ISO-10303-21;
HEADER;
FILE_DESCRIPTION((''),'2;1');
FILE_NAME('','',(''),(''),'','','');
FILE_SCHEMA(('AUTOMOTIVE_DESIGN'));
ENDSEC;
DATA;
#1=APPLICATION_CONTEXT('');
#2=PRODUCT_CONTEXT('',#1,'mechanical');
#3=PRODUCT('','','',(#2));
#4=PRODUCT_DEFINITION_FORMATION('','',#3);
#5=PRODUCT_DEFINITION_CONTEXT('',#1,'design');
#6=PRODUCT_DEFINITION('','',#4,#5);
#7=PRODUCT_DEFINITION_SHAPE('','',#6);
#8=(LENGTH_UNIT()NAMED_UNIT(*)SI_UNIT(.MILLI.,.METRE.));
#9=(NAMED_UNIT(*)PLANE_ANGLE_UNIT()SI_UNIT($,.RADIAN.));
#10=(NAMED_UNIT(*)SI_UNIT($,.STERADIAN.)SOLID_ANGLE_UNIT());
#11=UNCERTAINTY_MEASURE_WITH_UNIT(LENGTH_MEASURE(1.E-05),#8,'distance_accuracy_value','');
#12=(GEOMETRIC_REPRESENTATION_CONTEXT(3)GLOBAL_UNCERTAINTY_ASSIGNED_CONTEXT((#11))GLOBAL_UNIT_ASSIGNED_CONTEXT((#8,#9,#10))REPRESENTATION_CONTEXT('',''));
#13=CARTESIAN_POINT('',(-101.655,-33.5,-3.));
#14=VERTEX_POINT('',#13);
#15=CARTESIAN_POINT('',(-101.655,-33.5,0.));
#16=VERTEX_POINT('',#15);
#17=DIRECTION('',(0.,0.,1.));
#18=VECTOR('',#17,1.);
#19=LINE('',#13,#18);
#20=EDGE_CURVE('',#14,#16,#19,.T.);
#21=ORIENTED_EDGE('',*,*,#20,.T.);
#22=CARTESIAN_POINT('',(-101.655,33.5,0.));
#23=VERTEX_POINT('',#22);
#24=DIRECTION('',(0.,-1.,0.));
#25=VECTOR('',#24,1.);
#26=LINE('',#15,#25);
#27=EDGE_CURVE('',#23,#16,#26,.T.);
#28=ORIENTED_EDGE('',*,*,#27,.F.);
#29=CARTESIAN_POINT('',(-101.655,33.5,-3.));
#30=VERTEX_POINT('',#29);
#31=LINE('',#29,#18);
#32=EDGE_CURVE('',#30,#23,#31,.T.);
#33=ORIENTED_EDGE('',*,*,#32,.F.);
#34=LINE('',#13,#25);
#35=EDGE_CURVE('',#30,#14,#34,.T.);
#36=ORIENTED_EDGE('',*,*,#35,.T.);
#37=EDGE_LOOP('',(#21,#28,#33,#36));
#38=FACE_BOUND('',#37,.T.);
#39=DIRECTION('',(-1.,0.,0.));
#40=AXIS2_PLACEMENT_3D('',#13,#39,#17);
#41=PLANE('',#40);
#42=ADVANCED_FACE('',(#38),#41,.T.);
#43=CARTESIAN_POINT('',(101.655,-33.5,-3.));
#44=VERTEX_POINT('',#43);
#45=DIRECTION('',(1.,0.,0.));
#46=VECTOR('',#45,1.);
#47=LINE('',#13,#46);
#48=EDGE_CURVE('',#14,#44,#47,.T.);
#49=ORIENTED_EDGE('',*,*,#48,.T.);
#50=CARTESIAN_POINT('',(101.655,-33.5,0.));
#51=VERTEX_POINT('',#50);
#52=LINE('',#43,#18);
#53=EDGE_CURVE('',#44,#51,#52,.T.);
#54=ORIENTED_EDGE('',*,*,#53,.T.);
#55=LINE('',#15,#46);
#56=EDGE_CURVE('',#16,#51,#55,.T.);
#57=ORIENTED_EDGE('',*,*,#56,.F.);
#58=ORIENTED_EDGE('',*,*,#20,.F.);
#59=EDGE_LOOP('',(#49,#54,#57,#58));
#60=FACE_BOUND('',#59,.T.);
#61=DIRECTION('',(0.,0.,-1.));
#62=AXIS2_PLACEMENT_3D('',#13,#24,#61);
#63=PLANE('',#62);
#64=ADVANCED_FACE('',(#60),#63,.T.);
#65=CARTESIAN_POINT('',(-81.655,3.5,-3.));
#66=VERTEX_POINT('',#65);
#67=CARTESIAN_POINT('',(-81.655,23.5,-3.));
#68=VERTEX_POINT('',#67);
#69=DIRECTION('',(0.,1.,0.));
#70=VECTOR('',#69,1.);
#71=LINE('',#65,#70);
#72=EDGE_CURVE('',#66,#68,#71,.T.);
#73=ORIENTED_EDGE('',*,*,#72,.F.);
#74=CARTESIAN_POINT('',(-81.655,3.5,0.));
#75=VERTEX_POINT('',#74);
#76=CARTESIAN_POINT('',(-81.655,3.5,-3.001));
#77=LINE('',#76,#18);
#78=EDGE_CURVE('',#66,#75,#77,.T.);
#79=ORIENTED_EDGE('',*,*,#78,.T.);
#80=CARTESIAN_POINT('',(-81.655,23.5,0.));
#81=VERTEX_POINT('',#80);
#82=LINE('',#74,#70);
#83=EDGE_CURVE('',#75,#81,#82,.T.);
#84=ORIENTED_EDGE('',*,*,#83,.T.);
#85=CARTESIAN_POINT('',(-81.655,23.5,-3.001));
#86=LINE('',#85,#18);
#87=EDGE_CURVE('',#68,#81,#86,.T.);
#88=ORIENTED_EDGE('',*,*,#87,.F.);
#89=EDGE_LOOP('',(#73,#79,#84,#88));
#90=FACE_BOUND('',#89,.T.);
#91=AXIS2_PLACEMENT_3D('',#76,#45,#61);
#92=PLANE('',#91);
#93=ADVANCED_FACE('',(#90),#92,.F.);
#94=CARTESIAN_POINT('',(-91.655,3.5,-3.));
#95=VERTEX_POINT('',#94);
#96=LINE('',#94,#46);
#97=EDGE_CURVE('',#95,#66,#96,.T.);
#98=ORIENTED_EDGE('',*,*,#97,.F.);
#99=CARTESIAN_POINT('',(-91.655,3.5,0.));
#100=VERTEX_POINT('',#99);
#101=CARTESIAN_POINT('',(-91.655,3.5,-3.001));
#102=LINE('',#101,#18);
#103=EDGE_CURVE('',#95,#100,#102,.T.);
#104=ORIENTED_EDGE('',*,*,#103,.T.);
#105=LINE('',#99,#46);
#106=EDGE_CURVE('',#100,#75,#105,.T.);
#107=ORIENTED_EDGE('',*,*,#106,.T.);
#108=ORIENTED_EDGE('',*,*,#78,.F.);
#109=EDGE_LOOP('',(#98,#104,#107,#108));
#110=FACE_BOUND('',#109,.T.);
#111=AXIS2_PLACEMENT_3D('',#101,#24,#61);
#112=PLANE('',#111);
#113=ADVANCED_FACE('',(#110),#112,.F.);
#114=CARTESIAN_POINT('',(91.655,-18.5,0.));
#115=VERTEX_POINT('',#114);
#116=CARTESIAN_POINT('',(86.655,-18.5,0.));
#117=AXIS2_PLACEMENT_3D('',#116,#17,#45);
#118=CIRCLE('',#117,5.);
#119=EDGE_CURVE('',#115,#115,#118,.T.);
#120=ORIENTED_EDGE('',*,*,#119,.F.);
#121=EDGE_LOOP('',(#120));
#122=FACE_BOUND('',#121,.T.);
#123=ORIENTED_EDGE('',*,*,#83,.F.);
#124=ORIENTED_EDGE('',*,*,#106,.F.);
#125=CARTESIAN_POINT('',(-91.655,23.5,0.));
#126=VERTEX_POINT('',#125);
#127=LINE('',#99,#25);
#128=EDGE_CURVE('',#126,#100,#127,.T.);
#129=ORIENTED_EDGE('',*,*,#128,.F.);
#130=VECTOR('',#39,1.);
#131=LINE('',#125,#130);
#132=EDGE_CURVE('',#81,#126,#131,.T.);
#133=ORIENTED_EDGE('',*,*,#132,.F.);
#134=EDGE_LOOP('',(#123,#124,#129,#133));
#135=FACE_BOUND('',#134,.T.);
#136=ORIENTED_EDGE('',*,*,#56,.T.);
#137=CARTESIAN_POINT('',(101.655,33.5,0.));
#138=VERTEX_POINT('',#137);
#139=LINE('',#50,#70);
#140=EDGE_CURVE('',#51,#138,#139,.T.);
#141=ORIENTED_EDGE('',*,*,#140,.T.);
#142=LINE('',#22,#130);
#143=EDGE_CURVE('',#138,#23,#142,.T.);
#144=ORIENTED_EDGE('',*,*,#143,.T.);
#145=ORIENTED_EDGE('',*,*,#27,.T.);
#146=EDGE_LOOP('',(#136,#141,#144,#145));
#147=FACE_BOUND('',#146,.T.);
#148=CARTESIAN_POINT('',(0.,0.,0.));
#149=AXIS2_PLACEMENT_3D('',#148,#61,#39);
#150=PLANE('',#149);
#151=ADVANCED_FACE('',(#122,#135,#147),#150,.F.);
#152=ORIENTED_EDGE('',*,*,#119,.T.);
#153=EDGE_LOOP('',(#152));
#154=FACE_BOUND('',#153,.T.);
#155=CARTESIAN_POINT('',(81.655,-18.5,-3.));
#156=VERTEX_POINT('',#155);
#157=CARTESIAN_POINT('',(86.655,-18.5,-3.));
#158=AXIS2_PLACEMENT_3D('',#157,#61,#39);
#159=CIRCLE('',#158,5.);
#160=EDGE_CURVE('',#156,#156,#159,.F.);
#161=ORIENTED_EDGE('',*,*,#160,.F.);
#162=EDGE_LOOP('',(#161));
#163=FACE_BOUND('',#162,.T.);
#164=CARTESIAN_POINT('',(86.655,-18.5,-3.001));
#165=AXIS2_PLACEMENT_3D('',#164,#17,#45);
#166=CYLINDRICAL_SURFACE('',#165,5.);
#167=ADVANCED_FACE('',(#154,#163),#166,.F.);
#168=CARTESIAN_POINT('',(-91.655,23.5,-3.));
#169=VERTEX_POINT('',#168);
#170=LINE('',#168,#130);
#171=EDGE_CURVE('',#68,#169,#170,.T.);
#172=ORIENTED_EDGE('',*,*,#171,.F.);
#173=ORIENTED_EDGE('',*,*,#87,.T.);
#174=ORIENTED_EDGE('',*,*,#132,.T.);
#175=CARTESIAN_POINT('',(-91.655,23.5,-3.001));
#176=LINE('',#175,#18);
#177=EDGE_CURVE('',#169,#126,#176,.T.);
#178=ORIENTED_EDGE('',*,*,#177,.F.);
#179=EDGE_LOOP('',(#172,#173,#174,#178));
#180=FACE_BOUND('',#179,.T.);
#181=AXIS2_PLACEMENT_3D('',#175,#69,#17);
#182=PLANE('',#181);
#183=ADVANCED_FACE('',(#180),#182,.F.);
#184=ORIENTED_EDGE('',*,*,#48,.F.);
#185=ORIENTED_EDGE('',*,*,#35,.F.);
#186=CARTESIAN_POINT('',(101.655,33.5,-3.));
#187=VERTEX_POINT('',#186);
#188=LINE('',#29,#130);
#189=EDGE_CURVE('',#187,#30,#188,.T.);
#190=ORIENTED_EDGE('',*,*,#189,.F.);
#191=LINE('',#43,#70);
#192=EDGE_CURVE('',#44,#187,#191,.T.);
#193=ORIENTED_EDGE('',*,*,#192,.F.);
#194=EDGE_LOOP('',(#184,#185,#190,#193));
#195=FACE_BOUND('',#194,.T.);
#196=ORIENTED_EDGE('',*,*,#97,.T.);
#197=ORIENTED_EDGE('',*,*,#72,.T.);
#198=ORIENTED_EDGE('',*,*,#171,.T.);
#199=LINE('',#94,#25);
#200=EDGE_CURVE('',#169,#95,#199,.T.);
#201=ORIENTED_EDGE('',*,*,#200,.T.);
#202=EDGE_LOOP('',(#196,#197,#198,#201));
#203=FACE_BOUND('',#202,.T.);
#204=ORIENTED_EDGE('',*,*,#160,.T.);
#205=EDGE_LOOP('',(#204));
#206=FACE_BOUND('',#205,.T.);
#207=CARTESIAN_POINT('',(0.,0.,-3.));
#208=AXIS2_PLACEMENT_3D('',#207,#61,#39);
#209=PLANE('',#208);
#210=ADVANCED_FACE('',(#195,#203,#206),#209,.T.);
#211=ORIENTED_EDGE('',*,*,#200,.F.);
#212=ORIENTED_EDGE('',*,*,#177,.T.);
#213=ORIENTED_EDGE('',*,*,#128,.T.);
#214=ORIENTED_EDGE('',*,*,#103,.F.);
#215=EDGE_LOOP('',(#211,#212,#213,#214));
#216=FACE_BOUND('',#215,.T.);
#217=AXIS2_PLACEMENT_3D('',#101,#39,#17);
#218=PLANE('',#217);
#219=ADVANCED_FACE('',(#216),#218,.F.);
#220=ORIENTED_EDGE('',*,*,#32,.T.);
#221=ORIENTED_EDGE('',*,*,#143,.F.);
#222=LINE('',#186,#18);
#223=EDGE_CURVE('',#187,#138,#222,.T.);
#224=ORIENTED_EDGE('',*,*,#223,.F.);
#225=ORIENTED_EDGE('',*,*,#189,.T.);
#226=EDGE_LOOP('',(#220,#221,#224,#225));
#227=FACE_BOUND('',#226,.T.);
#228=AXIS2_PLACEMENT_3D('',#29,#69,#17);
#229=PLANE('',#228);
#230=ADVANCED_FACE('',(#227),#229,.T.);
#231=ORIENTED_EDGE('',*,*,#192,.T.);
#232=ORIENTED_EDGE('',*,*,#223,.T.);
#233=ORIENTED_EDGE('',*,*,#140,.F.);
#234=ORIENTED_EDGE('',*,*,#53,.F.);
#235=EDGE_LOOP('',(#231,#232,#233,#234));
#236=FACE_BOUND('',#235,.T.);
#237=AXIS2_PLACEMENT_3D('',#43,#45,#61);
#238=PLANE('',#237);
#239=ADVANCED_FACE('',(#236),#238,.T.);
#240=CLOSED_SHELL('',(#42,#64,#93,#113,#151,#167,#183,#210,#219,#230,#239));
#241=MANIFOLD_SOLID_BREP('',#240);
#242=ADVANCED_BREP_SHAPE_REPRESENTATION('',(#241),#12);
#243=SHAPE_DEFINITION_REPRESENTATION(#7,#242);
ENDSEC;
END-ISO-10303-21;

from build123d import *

# Parameters (mm, degrees)
CROQUIS1_W              = 203.31
CROQUIS1_H              = 67
SALIENTE_EXTRUIR1_DEPTH = 3
CORTAR_EXTRUIR1_REACH   = 5
CROQUIS2_W              = 10
CROQUIS2_H              = 20
CORTAR_EXTRUIR2_REACH   = 5
CROQUIS3_R              = 5


with BuildPart() as part:
    # Croquis1 → Saliente-Extruir1 (new body)
    with BuildSketch(Plane.XY):
        Rectangle(CROQUIS1_W, CROQUIS1_H)
    extrude(amount=-SALIENTE_EXTRUIR1_DEPTH)

    # Croquis2 → Cortar-Extruir1 (cut, up to next)
    with BuildSketch(Plane.XY, mode=Mode.PRIVATE) as cortar_extruir1_sk1:
        with Locations((-86.655, 13.5)):
            Rectangle(CROQUIS2_W, CROQUIS2_H)
    cortar_extruir1_tool1 = extrude(cortar_extruir1_sk1.sketch, amount=-CORTAR_EXTRUIR1_REACH, mode=Mode.PRIVATE) & part.part
    add(cortar_extruir1_tool1.solids().sort_by_distance((-86.655, 13.5, 0))[0], mode=Mode.SUBTRACT)

    # Croquis3 → Cortar-Extruir2 (cut, up to next)
    with BuildSketch(Plane.XY, mode=Mode.PRIVATE) as cortar_extruir2_sk1:
        with Locations((86.655, -18.5)):
            Circle(CROQUIS3_R)
    cortar_extruir2_tool1 = extrude(cortar_extruir2_sk1.sketch, amount=-CORTAR_EXTRUIR2_REACH, mode=Mode.PRIVATE) & part.part
    add(cortar_extruir2_tool1.solids().sort_by_distance((86.655, -18.5, 0))[0], mode=Mode.SUBTRACT)


solid = part.part
